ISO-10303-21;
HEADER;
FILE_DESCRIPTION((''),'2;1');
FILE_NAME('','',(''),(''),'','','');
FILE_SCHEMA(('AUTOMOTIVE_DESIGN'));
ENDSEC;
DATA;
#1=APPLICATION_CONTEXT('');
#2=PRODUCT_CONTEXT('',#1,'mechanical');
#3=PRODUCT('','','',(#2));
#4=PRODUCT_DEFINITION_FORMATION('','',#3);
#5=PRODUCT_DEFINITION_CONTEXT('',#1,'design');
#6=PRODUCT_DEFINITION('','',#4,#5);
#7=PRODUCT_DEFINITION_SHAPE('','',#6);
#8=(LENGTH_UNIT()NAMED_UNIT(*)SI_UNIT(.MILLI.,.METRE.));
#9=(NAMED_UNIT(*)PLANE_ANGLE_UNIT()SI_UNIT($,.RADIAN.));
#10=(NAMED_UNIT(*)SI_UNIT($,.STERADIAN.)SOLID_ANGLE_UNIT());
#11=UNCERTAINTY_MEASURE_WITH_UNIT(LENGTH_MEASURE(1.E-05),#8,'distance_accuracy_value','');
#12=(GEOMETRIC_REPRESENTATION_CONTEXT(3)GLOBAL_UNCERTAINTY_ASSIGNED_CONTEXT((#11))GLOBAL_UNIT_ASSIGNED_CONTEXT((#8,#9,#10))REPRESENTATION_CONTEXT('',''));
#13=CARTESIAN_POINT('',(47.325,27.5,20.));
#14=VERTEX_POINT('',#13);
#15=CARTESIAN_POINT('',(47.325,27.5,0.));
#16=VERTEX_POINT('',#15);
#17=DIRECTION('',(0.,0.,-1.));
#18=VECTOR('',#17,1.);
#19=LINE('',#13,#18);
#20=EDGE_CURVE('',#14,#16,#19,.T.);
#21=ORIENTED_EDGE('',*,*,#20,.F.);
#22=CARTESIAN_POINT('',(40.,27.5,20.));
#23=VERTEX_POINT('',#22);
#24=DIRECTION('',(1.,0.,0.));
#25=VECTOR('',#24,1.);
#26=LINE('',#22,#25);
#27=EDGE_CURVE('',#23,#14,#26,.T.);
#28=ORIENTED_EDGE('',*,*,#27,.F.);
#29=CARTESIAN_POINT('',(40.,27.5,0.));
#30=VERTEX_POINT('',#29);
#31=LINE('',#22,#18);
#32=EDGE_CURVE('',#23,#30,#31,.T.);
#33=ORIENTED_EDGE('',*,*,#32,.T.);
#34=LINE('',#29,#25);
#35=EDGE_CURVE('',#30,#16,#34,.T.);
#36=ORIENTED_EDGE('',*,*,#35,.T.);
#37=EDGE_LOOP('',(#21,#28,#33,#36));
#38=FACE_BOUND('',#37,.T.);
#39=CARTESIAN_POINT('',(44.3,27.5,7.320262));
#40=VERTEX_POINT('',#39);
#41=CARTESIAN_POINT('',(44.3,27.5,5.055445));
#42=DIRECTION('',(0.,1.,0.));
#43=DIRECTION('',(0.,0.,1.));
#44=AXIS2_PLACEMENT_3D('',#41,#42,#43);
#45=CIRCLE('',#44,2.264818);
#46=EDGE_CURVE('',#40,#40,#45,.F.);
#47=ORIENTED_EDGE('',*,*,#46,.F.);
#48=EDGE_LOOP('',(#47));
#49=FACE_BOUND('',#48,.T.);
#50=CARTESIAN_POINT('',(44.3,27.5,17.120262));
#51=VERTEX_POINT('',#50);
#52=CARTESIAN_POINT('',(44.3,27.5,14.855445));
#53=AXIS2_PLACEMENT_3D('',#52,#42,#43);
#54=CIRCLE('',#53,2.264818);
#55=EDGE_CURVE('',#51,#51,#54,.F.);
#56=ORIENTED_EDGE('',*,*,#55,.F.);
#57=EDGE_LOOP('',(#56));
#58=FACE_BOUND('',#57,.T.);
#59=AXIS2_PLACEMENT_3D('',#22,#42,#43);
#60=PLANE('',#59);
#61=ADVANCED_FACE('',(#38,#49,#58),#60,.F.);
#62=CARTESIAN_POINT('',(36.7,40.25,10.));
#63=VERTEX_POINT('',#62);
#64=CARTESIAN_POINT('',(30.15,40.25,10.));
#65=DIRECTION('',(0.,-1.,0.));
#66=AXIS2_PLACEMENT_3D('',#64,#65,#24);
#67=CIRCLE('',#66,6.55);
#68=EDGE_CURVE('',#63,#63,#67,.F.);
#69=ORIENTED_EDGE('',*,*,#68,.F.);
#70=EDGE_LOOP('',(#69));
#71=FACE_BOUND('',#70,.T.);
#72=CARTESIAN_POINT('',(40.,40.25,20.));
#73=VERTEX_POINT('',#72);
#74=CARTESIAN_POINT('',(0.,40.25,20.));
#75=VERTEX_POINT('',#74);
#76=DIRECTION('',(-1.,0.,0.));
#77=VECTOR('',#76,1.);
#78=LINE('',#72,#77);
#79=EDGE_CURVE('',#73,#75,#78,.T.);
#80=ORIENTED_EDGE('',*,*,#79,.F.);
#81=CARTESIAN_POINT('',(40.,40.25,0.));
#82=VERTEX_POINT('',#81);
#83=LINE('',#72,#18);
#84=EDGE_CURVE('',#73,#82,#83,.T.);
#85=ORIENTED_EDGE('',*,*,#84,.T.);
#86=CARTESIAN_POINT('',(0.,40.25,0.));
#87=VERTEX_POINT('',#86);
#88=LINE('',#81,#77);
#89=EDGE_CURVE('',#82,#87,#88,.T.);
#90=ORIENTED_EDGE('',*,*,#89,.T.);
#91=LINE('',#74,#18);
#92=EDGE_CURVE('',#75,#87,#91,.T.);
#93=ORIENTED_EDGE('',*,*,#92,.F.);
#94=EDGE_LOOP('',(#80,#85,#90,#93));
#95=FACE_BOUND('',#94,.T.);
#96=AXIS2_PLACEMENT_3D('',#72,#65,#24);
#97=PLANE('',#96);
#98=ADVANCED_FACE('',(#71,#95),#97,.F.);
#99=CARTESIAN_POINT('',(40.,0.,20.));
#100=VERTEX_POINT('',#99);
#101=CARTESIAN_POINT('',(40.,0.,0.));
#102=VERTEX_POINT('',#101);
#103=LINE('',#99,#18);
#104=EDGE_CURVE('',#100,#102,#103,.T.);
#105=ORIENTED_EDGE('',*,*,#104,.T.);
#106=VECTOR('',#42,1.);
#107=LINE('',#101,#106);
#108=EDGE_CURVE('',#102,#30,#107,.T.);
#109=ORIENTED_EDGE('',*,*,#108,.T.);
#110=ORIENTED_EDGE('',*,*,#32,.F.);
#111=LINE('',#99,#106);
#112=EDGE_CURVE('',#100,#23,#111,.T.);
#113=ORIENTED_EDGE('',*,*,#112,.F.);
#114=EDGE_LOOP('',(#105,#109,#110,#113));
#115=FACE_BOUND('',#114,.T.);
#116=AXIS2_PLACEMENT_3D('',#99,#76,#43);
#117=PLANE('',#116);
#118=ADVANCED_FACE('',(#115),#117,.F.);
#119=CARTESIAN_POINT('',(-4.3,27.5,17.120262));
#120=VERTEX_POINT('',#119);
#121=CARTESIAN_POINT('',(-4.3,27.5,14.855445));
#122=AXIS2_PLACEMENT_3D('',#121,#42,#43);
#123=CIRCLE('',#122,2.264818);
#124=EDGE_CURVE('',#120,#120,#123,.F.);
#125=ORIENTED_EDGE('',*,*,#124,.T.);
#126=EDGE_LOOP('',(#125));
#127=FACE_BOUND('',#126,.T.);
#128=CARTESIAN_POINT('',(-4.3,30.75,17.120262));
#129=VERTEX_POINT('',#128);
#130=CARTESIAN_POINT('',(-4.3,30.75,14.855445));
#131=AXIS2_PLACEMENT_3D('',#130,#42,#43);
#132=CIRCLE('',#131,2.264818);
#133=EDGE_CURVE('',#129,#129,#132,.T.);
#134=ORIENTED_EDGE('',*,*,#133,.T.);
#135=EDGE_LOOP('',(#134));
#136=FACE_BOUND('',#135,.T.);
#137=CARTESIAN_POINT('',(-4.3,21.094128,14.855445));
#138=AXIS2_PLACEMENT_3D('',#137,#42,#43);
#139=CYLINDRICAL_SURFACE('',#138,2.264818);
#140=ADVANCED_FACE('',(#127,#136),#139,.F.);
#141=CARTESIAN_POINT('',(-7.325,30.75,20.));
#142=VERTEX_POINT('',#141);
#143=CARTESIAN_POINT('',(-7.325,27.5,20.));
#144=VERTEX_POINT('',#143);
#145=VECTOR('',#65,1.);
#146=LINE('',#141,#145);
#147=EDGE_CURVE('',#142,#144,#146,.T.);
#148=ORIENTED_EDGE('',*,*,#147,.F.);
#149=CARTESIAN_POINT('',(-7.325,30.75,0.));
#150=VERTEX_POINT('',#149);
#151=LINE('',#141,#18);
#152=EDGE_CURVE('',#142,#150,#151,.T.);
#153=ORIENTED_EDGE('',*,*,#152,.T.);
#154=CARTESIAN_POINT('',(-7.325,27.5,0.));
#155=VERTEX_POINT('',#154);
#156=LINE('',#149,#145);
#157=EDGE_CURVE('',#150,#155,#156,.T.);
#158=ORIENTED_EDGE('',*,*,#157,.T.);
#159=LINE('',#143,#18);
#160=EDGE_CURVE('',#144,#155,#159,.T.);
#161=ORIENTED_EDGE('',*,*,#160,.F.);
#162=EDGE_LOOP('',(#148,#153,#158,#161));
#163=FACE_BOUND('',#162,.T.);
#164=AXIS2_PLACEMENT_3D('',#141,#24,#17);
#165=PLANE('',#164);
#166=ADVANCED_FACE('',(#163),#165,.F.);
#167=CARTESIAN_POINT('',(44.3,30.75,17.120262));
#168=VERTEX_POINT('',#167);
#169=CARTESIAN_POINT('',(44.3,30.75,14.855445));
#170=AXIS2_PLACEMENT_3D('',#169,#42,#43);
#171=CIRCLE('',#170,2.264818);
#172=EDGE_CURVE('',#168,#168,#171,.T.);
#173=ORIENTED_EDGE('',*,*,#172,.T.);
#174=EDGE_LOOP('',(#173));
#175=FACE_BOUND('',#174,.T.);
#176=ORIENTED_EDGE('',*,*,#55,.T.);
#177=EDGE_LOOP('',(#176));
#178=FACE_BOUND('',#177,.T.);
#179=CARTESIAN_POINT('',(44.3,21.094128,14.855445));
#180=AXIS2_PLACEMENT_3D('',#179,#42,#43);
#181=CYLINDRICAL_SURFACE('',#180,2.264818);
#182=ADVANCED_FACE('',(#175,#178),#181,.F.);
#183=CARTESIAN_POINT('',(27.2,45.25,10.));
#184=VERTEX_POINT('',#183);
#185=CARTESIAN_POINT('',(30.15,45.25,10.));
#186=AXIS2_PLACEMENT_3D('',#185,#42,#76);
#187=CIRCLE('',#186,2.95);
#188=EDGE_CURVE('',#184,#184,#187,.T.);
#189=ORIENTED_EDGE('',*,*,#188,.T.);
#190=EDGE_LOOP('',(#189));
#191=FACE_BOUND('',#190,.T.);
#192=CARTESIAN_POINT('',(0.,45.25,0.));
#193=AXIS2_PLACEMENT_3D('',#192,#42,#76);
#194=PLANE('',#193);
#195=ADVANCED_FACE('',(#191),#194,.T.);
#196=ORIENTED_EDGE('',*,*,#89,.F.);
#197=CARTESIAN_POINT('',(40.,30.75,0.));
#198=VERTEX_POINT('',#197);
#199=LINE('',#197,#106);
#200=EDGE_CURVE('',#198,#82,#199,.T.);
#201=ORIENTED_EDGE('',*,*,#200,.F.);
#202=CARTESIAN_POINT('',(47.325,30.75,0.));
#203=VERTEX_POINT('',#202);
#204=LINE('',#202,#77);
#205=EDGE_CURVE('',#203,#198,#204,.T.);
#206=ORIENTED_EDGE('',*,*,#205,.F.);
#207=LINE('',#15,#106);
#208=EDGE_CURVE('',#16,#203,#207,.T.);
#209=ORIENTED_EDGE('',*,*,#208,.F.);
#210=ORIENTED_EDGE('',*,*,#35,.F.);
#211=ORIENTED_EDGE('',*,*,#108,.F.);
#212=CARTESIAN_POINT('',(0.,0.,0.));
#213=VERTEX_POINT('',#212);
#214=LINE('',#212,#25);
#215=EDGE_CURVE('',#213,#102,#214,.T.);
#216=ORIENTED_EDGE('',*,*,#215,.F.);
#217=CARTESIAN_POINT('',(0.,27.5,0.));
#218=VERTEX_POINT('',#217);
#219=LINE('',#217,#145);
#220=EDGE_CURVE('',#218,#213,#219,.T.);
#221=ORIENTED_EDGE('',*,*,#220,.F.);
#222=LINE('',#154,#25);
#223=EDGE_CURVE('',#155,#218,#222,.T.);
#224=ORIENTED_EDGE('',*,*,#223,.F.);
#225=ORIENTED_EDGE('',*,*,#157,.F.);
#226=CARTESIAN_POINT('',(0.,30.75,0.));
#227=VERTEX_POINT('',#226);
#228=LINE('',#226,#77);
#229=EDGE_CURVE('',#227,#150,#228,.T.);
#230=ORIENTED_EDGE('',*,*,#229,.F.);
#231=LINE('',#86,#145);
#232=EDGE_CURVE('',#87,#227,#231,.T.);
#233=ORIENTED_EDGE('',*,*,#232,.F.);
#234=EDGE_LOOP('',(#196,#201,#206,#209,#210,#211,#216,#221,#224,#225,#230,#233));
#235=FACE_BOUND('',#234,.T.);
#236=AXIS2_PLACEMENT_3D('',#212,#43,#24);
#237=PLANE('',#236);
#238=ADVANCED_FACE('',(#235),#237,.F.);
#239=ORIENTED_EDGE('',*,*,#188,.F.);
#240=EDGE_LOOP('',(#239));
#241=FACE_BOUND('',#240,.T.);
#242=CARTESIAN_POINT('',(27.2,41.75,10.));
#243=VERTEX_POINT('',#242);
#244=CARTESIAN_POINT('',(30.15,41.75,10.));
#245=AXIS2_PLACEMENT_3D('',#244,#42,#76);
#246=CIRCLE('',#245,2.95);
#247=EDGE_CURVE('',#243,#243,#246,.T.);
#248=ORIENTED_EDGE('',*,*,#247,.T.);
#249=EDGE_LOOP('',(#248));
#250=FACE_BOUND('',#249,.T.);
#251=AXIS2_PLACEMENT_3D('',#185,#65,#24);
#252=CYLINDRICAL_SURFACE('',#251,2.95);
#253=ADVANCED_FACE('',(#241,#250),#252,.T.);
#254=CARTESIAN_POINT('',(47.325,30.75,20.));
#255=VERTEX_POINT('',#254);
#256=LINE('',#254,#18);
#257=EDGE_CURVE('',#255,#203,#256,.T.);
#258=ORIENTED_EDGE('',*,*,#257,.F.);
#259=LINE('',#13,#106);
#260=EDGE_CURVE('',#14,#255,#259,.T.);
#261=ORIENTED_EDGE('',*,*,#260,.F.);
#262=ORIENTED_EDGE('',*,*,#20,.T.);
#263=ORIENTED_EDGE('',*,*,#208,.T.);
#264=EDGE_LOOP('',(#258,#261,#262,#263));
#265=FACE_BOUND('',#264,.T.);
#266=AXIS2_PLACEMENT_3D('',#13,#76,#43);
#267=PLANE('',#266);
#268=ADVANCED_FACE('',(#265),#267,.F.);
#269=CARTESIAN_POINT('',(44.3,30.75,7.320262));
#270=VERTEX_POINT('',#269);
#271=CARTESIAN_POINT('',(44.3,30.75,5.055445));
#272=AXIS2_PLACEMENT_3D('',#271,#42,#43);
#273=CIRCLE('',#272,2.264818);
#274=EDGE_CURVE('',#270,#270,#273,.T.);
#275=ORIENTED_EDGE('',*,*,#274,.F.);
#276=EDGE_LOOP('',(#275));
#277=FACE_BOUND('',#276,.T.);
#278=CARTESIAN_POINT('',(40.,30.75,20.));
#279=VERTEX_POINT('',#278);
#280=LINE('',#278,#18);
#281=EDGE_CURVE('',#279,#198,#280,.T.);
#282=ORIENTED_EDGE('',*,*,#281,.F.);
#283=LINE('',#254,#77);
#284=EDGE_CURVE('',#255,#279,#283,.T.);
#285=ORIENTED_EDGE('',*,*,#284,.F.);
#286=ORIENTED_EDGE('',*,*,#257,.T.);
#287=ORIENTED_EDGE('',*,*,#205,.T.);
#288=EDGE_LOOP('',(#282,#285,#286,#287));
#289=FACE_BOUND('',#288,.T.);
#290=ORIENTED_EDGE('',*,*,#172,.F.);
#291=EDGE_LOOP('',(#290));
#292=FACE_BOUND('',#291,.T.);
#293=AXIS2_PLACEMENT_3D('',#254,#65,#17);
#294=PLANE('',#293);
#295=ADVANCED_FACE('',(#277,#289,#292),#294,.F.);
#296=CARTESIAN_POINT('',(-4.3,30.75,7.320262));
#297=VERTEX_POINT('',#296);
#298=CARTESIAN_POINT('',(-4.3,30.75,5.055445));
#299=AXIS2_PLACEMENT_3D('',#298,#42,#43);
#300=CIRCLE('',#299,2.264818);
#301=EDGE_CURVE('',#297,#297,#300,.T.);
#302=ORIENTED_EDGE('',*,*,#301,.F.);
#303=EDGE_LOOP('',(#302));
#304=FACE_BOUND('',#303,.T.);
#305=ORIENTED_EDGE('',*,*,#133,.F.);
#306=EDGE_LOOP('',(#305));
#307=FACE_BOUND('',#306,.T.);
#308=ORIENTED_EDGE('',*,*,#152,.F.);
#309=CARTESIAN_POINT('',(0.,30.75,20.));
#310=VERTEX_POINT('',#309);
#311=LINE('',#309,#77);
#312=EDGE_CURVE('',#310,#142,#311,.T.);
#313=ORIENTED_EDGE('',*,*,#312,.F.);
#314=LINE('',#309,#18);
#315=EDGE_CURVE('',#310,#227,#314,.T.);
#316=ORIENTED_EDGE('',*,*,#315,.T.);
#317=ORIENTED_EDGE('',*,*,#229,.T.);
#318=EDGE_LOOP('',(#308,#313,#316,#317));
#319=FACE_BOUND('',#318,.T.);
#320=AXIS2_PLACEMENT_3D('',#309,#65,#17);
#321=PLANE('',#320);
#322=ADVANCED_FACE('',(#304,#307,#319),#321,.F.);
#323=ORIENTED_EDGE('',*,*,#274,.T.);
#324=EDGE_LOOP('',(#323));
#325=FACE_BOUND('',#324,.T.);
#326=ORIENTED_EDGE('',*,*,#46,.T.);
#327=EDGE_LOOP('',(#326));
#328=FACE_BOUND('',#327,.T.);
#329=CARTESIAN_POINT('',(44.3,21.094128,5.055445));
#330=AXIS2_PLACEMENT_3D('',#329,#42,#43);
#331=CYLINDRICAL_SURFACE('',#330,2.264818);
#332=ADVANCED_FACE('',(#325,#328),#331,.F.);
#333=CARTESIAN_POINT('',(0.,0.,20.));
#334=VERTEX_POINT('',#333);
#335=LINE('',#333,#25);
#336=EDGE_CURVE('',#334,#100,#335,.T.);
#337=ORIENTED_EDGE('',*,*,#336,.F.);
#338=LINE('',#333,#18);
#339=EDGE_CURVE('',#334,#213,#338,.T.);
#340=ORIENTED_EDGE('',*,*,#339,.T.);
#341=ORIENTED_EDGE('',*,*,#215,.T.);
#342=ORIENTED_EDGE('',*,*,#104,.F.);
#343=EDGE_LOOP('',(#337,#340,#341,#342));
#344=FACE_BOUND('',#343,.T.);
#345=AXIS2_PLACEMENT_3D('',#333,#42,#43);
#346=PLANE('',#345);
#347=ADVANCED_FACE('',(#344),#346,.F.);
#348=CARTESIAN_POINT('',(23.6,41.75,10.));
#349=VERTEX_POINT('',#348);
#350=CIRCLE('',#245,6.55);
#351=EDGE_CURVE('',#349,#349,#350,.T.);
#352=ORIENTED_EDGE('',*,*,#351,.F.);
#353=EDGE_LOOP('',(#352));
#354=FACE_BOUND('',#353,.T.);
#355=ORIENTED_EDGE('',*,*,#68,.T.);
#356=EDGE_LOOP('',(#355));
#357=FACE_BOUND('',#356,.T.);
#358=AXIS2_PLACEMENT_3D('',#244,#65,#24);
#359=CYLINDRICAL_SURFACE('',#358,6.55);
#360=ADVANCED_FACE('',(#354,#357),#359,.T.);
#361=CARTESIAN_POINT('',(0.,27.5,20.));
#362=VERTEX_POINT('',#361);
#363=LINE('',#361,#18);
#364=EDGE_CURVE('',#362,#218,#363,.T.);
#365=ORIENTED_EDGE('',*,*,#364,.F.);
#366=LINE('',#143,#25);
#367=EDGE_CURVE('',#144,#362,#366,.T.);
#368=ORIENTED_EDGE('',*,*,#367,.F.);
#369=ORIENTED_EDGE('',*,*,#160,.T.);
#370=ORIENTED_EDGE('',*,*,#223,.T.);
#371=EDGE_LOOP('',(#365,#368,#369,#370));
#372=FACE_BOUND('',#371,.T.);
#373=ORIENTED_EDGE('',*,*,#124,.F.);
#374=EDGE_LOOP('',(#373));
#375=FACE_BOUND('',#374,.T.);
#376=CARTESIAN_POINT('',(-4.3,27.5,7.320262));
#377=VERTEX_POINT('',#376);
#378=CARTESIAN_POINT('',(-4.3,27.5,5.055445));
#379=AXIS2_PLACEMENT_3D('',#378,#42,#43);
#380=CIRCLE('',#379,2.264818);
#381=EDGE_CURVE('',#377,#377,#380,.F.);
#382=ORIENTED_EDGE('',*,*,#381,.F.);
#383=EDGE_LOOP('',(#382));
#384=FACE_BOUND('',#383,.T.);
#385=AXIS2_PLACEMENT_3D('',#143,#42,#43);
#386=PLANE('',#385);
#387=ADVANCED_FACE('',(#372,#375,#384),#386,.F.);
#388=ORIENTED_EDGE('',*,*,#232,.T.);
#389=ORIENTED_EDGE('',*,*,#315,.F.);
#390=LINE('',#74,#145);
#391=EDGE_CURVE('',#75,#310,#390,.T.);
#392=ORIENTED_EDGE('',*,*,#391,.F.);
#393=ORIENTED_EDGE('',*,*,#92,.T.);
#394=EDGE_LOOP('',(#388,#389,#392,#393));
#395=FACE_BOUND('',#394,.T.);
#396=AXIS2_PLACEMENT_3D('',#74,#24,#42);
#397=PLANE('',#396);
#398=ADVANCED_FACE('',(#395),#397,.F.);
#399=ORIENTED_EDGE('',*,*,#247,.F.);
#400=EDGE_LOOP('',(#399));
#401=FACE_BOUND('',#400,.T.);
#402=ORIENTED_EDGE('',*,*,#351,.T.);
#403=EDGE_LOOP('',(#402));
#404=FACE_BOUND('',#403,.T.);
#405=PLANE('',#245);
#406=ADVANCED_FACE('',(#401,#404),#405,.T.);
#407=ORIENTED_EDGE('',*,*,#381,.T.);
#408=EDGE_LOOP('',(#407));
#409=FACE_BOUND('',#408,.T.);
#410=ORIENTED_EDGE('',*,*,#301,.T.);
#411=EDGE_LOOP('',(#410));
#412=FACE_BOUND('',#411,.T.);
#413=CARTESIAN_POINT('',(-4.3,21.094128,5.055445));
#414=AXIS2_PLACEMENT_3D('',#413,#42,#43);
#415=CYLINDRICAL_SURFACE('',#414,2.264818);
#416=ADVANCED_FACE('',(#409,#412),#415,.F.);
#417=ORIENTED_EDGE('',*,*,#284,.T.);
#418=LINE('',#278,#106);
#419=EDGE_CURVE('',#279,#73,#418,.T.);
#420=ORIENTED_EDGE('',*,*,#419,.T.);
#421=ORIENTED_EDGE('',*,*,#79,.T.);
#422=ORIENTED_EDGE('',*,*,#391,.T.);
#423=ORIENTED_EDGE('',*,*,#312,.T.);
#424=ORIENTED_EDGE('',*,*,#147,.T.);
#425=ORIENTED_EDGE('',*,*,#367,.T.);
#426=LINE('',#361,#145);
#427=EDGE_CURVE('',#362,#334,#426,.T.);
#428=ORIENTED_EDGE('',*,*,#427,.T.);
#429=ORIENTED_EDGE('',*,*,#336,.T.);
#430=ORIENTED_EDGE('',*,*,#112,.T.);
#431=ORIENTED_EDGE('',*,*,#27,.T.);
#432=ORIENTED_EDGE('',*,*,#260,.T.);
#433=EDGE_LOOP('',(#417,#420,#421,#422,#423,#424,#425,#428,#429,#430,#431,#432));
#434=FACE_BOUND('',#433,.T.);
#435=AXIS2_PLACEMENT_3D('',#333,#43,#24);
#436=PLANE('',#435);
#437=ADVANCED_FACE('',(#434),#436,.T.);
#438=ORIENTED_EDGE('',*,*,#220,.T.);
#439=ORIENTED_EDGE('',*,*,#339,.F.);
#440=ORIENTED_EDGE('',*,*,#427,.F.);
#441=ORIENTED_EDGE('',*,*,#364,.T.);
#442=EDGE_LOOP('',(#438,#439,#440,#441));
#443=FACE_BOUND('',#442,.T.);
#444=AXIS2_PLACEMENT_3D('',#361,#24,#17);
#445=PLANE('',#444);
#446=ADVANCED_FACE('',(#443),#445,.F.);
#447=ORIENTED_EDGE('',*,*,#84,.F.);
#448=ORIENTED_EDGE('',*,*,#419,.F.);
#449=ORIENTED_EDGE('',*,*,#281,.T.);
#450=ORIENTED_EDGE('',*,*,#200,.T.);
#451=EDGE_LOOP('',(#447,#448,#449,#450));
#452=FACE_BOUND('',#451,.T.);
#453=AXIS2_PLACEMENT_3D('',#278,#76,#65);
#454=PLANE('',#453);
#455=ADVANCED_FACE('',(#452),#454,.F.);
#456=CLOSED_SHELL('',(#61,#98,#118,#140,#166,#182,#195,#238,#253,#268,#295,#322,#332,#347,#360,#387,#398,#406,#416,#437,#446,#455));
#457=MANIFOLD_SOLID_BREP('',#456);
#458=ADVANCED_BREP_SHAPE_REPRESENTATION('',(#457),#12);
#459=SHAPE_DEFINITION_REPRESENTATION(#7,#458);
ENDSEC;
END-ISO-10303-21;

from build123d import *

# Parameters (mm, degrees)
BOSS_EXTRUDE1_DEPTH = 20
SKETCH2_R           = 2.264817621
CUT_EXTRUDE1_DEPTH  = 3.25
SKETCH3_R           = 2.95
BOSS_EXTRUDE2_DEPTH = 5
SKETCH4_R           = 6.55
BOSS_EXTRUDE3_DEPTH = 1.5


with BuildPart() as part:
    # Sketch1 → Boss-Extrude1 (new body)
    with BuildSketch(Plane.XY):
        Polygon((0, 0), (40, 0), (40, 27.5), (47.325, 27.5), (47.325, 30.75), (40, 30.75), (40, 40.25), (0, 40.25), (0, 30.75), (-7.325, 30.75), (-7.325, 27.5), (0, 27.5), align=None)
    extrude(amount=BOSS_EXTRUDE1_DEPTH)

    # Sketch2 → Cut-Extrude1 (cut)
    with BuildSketch(Plane(origin=(0, 30.75, 0), x_dir=(1, 0, 0), z_dir=(0, 1, 0))):
        with Locations(Location((-4.3, -5.055444694, 0), (0, 0, 270))):
            Circle(SKETCH2_R)
        with Locations(Location((-4.3, -14.855444694, 0), (0, 0, 270))):
            Circle(SKETCH2_R)
        with Locations(Location((44.3, -14.855444694, 0), (0, 0, 270))):
            Circle(SKETCH2_R)
        with Locations(Location((44.3, -5.055444694, 0), (0, 0, 270))):
            Circle(SKETCH2_R)
    extrude(amount=-CUT_EXTRUDE1_DEPTH, mode=Mode.SUBTRACT)

    # Sketch3 → Boss-Extrude2 (add)
    with BuildSketch(Plane(origin=(0, 40.25, 0), x_dir=(1, 0, 0), z_dir=(0, 1, 0))):
        with Locations((30.15, -10)):
            Circle(SKETCH3_R)
    extrude(amount=BOSS_EXTRUDE2_DEPTH)

    # Sketch4 → Boss-Extrude3 (add)
    with BuildSketch(Plane(origin=(0, 40.25, 0), x_dir=(1, 0, 0), z_dir=(0, 1, 0))):
        with Locations((30.15, -10)):
            Circle(SKETCH4_R)
    extrude(amount=BOSS_EXTRUDE3_DEPTH)


solid = part.part
